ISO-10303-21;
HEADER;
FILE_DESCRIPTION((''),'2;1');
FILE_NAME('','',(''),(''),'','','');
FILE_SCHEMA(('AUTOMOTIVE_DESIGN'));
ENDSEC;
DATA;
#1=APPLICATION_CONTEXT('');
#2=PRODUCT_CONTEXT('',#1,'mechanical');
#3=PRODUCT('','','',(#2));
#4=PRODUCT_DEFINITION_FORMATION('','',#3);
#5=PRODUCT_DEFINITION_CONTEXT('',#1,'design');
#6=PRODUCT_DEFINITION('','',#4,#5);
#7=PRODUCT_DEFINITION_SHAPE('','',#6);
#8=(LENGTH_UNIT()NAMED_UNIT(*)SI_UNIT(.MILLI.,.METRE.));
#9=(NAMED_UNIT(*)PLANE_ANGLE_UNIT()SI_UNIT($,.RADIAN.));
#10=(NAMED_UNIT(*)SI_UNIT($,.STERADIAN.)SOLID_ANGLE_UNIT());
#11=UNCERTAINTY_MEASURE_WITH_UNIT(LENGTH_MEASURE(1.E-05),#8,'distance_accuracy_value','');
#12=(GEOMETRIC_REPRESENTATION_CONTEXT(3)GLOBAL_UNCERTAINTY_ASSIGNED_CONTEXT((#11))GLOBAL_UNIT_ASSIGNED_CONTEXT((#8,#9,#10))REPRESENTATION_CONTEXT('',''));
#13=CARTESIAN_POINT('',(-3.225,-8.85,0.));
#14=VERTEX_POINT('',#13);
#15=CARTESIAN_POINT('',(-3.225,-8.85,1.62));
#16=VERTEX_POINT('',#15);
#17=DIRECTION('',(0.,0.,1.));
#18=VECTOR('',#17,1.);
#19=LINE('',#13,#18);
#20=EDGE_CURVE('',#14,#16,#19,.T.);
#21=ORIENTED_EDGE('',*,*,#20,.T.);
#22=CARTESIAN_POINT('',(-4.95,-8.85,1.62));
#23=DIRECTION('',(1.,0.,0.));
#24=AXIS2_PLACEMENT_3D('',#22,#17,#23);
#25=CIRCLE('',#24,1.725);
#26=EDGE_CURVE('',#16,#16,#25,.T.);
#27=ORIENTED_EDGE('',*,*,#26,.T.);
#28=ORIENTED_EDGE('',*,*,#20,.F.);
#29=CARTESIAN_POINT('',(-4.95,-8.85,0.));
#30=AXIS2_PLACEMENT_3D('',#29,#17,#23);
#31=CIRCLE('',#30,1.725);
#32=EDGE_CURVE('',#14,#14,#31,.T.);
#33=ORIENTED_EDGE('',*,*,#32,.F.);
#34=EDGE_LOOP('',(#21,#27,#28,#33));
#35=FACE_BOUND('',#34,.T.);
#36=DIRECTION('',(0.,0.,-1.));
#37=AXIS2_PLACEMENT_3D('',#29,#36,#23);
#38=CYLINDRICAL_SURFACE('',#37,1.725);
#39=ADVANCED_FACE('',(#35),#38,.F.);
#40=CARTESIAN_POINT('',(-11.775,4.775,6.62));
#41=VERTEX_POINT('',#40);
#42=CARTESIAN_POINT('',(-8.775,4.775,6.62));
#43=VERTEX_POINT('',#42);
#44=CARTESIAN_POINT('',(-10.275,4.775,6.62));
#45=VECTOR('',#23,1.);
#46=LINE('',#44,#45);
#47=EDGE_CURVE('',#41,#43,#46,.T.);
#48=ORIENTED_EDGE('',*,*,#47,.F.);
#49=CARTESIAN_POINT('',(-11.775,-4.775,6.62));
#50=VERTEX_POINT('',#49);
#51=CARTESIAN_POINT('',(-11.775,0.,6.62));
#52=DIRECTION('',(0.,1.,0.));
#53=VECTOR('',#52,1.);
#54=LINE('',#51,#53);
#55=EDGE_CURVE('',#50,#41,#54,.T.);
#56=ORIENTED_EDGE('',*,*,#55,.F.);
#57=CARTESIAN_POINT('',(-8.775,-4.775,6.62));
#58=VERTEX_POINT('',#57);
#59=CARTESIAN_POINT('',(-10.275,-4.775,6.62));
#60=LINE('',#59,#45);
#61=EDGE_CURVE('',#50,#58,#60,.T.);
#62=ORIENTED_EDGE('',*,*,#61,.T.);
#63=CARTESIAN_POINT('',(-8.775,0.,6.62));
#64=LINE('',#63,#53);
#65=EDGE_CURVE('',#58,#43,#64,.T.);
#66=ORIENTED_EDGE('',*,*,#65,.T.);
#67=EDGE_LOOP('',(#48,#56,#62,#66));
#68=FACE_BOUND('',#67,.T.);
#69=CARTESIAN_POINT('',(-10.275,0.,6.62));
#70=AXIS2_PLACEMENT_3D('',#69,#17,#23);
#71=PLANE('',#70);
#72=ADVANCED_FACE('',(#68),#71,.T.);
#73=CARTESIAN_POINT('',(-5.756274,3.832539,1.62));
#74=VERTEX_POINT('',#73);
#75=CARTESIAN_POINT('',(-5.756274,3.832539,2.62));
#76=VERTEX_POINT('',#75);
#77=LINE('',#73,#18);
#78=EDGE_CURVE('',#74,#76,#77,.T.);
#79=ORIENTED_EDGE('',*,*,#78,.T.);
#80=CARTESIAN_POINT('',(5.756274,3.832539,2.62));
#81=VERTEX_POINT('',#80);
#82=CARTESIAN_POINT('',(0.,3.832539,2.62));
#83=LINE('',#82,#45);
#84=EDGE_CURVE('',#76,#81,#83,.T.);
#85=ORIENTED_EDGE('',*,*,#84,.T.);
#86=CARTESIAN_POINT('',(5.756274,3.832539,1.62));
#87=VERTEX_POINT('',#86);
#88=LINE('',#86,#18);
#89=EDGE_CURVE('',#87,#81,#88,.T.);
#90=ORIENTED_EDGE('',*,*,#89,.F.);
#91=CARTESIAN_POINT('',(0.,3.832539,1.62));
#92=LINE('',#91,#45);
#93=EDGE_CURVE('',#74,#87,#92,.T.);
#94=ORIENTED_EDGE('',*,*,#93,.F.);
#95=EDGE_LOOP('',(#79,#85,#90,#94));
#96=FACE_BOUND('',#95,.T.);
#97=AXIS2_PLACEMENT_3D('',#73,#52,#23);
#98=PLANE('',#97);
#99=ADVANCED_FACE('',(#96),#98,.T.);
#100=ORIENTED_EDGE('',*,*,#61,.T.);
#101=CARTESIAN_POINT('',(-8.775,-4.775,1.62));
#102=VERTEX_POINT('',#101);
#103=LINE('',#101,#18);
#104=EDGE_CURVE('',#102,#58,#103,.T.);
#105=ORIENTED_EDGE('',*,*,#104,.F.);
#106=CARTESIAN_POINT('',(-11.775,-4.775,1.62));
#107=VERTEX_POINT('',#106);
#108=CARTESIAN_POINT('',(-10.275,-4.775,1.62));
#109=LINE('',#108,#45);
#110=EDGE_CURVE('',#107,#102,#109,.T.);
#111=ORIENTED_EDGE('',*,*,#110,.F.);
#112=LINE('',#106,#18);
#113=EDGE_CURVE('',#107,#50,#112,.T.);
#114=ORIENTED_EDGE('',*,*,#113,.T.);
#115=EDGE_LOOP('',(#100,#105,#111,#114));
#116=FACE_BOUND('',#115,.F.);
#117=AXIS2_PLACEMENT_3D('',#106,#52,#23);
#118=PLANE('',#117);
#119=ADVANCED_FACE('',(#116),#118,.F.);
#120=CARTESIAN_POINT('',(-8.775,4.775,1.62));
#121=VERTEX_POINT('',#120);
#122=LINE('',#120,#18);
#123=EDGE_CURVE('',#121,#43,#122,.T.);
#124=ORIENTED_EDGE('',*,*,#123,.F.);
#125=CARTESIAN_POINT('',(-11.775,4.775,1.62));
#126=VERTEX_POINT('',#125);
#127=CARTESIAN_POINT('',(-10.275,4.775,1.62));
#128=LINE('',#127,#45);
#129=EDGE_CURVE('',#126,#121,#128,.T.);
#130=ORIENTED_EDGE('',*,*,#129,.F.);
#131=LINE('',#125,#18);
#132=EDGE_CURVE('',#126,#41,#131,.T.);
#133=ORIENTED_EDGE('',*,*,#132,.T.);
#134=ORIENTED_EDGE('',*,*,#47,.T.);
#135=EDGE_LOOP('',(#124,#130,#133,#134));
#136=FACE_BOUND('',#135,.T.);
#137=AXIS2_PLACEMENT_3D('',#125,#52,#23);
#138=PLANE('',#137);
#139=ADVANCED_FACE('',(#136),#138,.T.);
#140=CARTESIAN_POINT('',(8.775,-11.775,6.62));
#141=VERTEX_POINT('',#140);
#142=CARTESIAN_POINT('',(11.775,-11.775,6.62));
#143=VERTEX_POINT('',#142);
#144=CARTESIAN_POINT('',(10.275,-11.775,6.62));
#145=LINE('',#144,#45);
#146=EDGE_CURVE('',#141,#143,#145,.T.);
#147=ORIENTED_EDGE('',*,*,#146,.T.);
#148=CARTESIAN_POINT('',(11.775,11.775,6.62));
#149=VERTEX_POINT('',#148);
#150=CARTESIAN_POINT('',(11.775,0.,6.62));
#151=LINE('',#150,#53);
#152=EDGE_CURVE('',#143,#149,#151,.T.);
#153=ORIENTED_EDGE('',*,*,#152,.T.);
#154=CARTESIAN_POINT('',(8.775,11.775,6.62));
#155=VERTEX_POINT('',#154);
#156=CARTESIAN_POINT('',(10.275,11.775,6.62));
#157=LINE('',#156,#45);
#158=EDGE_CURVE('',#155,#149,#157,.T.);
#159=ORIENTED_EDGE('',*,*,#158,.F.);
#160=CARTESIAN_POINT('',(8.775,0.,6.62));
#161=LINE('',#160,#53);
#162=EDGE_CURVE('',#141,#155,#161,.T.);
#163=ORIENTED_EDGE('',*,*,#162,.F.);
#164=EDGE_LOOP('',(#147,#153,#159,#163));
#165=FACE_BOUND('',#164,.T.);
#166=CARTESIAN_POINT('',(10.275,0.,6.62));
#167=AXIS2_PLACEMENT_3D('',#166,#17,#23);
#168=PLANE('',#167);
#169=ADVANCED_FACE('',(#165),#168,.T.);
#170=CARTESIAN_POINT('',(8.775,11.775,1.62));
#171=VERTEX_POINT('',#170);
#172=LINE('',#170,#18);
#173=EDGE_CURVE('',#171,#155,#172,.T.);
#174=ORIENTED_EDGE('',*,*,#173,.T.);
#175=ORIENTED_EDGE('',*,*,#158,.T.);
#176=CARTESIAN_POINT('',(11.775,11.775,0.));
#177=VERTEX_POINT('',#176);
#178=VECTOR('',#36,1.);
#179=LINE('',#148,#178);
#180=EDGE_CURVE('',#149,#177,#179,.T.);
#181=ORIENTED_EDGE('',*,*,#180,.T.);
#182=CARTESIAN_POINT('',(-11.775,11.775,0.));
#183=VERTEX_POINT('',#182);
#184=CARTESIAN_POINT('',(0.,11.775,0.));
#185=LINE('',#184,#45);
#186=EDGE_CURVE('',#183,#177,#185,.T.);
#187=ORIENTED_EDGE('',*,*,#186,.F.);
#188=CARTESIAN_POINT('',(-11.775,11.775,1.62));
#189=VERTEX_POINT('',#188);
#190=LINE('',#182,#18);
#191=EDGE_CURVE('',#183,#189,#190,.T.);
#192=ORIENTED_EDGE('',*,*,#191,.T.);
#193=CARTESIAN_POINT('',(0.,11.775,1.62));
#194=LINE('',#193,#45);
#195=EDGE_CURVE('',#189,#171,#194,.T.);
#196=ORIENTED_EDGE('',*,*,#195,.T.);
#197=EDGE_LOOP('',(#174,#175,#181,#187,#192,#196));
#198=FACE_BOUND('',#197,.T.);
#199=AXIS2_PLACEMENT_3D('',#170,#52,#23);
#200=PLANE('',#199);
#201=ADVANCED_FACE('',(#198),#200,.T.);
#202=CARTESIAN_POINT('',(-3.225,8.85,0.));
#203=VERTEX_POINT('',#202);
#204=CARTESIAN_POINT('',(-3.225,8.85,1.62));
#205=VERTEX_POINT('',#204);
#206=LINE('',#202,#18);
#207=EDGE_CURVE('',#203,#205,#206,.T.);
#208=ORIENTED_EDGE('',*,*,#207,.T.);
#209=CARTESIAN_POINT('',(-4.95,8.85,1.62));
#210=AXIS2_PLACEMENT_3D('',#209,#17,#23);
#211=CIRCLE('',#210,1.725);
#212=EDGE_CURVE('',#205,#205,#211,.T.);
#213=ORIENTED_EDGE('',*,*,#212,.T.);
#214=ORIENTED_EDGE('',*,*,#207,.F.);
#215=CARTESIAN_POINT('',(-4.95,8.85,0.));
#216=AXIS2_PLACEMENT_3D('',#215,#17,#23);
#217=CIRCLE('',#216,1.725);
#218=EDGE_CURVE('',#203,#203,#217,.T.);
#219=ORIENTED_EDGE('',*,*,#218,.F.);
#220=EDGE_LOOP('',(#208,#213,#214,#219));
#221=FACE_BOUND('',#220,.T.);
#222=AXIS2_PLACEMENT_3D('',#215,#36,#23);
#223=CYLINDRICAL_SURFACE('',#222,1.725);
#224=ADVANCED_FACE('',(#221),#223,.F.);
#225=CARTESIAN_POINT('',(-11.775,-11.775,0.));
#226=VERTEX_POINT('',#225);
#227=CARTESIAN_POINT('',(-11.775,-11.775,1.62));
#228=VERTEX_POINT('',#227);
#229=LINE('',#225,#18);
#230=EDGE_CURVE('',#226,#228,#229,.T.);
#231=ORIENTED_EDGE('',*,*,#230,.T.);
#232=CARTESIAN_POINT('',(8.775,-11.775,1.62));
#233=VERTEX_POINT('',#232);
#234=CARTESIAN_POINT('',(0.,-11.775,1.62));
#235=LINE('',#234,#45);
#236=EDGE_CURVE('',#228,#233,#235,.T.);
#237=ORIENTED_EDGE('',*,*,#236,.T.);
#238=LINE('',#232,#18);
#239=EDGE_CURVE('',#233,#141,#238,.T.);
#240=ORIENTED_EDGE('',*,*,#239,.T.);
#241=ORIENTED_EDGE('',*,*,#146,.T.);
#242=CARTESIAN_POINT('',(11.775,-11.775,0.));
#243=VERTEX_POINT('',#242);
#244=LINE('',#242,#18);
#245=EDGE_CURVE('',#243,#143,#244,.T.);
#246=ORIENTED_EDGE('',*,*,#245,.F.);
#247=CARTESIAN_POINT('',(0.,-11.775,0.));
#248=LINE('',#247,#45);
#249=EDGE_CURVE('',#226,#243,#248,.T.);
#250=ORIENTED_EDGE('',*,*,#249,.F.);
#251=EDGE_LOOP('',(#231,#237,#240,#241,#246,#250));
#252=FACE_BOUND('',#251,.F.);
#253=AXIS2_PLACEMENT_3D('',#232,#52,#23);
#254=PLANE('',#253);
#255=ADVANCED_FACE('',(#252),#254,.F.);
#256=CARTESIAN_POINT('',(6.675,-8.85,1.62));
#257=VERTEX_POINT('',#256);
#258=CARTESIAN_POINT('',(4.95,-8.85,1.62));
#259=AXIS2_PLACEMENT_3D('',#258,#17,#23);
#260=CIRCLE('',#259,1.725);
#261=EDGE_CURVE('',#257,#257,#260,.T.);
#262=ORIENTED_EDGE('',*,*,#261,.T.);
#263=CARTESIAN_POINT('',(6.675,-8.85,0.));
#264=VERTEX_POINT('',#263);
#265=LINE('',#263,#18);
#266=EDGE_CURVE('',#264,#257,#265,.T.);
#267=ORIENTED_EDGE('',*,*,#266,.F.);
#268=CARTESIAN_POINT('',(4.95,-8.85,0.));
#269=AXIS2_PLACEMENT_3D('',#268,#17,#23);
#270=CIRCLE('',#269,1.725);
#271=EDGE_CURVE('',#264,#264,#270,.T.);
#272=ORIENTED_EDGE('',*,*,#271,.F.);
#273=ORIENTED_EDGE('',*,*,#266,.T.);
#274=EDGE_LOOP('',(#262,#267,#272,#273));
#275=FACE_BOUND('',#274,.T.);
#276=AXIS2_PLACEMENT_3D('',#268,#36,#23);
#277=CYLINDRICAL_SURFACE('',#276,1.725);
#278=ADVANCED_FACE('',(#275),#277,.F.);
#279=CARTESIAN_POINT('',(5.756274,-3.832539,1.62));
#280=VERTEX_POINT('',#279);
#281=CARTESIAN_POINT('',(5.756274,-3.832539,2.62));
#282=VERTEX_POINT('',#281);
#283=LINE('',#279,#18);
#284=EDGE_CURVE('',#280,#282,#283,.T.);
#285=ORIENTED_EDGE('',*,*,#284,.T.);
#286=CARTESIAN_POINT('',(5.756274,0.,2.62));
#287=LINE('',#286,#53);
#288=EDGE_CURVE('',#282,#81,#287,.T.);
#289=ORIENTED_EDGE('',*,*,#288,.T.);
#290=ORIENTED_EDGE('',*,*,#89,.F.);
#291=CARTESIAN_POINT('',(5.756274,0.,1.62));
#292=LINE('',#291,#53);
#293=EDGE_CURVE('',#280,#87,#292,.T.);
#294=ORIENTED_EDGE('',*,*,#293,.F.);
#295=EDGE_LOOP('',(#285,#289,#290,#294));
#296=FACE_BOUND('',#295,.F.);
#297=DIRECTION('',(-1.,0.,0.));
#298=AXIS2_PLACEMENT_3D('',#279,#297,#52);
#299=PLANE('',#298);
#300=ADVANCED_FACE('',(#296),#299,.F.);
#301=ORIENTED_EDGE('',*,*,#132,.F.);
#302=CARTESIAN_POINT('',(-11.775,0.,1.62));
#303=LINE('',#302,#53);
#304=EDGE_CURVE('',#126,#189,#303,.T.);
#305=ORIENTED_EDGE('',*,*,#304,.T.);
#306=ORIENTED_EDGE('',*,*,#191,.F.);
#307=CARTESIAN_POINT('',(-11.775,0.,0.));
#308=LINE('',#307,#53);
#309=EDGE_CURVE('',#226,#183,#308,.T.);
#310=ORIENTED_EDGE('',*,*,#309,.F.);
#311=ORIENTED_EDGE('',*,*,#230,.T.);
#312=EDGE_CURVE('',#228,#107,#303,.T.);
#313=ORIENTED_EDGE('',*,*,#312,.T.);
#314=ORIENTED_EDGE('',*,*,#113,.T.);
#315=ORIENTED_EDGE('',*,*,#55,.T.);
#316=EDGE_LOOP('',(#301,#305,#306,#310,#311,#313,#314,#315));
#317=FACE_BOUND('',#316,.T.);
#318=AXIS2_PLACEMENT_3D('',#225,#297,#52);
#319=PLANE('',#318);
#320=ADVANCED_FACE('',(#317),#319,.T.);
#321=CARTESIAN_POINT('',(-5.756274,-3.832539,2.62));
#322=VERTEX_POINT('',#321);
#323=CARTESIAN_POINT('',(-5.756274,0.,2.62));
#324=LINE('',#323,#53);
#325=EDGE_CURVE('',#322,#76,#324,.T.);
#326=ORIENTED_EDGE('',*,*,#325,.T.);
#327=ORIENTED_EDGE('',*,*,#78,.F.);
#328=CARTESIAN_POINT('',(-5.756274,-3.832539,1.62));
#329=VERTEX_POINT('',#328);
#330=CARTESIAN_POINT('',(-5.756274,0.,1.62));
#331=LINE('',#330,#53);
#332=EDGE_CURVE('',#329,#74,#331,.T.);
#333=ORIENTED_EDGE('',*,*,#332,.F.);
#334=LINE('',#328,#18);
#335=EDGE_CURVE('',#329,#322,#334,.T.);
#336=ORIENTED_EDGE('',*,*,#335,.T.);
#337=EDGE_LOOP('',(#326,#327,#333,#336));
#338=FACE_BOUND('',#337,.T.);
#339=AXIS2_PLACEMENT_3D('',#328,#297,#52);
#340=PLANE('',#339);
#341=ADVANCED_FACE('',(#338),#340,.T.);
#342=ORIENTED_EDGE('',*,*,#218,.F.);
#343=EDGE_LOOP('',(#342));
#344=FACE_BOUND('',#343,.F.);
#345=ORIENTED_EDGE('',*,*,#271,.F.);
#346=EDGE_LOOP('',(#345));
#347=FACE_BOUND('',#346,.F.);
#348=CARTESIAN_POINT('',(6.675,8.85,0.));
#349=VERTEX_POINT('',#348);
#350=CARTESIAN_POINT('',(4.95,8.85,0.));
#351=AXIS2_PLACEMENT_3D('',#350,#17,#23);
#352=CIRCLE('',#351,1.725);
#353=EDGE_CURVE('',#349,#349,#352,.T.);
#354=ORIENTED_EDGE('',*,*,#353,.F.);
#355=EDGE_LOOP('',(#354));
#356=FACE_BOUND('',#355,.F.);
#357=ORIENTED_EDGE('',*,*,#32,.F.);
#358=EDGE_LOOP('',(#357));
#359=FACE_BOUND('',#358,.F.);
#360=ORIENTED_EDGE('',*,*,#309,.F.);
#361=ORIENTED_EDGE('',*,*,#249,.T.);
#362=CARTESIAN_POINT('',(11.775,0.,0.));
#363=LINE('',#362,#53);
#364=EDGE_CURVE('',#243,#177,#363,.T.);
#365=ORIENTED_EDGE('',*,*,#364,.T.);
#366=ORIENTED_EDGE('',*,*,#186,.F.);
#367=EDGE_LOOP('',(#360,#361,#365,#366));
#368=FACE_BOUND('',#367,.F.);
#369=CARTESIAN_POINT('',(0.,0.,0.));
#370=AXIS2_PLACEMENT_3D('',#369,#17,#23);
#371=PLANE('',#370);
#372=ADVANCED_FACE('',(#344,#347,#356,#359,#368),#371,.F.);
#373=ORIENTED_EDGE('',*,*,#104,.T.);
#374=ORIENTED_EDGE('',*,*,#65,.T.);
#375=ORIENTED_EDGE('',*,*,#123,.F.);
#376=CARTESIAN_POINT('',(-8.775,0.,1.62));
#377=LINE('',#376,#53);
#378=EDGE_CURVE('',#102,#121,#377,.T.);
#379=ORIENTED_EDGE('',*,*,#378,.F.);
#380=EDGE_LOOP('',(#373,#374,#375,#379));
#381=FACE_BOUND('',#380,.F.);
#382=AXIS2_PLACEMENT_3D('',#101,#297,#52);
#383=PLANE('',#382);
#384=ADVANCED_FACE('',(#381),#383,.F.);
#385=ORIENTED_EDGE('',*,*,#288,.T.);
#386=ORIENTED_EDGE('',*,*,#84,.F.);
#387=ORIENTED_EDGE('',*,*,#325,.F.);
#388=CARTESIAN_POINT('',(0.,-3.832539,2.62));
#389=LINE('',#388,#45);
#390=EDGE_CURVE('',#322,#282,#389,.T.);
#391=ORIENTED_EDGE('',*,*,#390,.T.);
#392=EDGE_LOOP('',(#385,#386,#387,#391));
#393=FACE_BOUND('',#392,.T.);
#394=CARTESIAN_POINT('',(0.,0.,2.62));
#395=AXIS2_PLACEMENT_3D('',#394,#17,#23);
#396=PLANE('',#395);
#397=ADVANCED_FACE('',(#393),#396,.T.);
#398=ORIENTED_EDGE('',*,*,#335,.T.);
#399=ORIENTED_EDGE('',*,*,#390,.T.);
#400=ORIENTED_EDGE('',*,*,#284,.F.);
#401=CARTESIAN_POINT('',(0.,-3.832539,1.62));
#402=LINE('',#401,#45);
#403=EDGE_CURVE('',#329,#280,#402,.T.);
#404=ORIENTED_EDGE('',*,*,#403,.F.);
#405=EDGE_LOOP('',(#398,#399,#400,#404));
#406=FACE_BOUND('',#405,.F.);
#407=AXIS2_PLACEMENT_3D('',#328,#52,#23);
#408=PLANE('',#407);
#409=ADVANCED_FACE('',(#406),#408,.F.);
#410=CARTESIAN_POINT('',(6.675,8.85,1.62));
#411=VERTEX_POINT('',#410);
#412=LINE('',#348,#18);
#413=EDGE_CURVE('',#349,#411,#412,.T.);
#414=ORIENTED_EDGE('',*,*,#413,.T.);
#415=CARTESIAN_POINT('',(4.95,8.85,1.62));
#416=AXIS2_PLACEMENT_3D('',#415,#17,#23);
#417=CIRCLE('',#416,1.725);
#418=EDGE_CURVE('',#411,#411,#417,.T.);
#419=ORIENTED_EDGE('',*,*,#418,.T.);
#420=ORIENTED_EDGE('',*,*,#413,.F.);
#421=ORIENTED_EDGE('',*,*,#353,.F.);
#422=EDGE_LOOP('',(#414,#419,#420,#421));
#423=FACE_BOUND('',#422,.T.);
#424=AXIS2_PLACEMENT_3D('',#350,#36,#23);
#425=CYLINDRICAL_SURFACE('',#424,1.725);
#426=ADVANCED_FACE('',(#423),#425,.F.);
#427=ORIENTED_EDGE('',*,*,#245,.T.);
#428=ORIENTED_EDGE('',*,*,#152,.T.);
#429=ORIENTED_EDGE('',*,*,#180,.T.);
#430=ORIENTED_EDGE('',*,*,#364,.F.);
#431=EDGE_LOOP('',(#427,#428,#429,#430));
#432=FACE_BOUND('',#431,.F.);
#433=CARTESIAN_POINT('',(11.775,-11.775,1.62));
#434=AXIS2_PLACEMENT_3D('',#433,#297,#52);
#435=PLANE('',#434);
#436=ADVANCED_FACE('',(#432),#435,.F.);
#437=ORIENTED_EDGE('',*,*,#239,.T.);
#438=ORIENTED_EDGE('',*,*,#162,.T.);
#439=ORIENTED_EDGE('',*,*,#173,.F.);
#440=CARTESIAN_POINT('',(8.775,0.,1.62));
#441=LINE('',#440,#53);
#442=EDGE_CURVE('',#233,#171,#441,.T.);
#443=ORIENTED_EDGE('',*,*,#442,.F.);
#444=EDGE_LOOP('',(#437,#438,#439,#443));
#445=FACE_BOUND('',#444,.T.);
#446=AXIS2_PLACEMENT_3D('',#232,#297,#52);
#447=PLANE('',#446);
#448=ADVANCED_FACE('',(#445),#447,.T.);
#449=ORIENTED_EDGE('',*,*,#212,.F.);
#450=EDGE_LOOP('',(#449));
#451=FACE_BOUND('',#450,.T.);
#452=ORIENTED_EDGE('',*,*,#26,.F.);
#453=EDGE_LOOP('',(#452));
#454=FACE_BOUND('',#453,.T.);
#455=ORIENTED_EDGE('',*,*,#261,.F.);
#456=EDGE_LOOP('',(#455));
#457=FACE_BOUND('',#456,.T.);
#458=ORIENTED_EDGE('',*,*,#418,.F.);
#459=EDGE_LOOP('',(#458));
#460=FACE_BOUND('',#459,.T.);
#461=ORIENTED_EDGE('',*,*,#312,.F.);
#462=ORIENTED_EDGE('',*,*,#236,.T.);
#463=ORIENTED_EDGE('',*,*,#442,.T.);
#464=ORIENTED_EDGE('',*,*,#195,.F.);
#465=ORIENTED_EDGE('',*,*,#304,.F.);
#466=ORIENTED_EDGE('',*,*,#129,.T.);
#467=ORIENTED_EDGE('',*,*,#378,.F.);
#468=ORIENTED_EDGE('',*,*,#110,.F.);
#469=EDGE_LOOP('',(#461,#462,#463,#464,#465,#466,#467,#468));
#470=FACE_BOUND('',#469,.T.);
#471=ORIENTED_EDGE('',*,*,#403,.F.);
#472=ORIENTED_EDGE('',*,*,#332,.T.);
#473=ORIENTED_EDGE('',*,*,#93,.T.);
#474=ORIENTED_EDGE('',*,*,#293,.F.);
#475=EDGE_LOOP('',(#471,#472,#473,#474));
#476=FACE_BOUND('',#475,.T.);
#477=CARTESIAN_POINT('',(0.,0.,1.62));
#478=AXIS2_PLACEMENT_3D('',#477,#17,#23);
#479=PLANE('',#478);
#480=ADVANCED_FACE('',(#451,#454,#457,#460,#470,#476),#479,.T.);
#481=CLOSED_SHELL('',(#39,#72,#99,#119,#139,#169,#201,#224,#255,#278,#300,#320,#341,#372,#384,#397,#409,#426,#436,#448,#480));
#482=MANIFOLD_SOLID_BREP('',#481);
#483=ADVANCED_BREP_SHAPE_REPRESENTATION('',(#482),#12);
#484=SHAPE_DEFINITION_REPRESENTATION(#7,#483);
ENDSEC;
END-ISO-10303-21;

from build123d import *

# Parameters (mm, degrees)
F0_W     = 23.55
F0_H     = 23.55
F0_R     = 1.725
F1_DEPTH = 1.62
F2_W     = 3
F2_H     = 23.55
F2_H_2   = 9.55
F3_DEPTH = 5
F4_W     = 11.512548
F4_H     = 7.665078
F5_DEPTH = 1


with BuildPart() as f1:
    # F0 (on Top) → F1 (new body)
    with BuildSketch(Plane.XY):
        Rectangle(F0_W, F0_H)
        with Locations((-4.95, -8.85)):
            Circle(F0_R, mode=Mode.SUBTRACT)
        with Locations((4.95, -8.85)):
            Circle(F0_R, mode=Mode.SUBTRACT)
        with Locations((-4.95, 8.85)):
            Circle(F0_R, mode=Mode.SUBTRACT)
        with Locations((4.95, 8.85)):
            Circle(F0_R, mode=Mode.SUBTRACT)
    extrude(amount=F1_DEPTH)

    # F2 (on face) → F3 (join)
    with BuildSketch(Plane.XY.offset(1.62)):
        with Locations((10.275, 0)):
            Rectangle(F2_W, F2_H)
        with Locations((-10.275, 0)):
            Rectangle(F2_W, F2_H_2)
    extrude(amount=F3_DEPTH)

    # F4 (on face) → F5 (join)
    with BuildSketch(Plane.XY.offset(1.62)):
        Rectangle(F4_W, F4_H)
    extrude(amount=F5_DEPTH)


solid = f1.part
